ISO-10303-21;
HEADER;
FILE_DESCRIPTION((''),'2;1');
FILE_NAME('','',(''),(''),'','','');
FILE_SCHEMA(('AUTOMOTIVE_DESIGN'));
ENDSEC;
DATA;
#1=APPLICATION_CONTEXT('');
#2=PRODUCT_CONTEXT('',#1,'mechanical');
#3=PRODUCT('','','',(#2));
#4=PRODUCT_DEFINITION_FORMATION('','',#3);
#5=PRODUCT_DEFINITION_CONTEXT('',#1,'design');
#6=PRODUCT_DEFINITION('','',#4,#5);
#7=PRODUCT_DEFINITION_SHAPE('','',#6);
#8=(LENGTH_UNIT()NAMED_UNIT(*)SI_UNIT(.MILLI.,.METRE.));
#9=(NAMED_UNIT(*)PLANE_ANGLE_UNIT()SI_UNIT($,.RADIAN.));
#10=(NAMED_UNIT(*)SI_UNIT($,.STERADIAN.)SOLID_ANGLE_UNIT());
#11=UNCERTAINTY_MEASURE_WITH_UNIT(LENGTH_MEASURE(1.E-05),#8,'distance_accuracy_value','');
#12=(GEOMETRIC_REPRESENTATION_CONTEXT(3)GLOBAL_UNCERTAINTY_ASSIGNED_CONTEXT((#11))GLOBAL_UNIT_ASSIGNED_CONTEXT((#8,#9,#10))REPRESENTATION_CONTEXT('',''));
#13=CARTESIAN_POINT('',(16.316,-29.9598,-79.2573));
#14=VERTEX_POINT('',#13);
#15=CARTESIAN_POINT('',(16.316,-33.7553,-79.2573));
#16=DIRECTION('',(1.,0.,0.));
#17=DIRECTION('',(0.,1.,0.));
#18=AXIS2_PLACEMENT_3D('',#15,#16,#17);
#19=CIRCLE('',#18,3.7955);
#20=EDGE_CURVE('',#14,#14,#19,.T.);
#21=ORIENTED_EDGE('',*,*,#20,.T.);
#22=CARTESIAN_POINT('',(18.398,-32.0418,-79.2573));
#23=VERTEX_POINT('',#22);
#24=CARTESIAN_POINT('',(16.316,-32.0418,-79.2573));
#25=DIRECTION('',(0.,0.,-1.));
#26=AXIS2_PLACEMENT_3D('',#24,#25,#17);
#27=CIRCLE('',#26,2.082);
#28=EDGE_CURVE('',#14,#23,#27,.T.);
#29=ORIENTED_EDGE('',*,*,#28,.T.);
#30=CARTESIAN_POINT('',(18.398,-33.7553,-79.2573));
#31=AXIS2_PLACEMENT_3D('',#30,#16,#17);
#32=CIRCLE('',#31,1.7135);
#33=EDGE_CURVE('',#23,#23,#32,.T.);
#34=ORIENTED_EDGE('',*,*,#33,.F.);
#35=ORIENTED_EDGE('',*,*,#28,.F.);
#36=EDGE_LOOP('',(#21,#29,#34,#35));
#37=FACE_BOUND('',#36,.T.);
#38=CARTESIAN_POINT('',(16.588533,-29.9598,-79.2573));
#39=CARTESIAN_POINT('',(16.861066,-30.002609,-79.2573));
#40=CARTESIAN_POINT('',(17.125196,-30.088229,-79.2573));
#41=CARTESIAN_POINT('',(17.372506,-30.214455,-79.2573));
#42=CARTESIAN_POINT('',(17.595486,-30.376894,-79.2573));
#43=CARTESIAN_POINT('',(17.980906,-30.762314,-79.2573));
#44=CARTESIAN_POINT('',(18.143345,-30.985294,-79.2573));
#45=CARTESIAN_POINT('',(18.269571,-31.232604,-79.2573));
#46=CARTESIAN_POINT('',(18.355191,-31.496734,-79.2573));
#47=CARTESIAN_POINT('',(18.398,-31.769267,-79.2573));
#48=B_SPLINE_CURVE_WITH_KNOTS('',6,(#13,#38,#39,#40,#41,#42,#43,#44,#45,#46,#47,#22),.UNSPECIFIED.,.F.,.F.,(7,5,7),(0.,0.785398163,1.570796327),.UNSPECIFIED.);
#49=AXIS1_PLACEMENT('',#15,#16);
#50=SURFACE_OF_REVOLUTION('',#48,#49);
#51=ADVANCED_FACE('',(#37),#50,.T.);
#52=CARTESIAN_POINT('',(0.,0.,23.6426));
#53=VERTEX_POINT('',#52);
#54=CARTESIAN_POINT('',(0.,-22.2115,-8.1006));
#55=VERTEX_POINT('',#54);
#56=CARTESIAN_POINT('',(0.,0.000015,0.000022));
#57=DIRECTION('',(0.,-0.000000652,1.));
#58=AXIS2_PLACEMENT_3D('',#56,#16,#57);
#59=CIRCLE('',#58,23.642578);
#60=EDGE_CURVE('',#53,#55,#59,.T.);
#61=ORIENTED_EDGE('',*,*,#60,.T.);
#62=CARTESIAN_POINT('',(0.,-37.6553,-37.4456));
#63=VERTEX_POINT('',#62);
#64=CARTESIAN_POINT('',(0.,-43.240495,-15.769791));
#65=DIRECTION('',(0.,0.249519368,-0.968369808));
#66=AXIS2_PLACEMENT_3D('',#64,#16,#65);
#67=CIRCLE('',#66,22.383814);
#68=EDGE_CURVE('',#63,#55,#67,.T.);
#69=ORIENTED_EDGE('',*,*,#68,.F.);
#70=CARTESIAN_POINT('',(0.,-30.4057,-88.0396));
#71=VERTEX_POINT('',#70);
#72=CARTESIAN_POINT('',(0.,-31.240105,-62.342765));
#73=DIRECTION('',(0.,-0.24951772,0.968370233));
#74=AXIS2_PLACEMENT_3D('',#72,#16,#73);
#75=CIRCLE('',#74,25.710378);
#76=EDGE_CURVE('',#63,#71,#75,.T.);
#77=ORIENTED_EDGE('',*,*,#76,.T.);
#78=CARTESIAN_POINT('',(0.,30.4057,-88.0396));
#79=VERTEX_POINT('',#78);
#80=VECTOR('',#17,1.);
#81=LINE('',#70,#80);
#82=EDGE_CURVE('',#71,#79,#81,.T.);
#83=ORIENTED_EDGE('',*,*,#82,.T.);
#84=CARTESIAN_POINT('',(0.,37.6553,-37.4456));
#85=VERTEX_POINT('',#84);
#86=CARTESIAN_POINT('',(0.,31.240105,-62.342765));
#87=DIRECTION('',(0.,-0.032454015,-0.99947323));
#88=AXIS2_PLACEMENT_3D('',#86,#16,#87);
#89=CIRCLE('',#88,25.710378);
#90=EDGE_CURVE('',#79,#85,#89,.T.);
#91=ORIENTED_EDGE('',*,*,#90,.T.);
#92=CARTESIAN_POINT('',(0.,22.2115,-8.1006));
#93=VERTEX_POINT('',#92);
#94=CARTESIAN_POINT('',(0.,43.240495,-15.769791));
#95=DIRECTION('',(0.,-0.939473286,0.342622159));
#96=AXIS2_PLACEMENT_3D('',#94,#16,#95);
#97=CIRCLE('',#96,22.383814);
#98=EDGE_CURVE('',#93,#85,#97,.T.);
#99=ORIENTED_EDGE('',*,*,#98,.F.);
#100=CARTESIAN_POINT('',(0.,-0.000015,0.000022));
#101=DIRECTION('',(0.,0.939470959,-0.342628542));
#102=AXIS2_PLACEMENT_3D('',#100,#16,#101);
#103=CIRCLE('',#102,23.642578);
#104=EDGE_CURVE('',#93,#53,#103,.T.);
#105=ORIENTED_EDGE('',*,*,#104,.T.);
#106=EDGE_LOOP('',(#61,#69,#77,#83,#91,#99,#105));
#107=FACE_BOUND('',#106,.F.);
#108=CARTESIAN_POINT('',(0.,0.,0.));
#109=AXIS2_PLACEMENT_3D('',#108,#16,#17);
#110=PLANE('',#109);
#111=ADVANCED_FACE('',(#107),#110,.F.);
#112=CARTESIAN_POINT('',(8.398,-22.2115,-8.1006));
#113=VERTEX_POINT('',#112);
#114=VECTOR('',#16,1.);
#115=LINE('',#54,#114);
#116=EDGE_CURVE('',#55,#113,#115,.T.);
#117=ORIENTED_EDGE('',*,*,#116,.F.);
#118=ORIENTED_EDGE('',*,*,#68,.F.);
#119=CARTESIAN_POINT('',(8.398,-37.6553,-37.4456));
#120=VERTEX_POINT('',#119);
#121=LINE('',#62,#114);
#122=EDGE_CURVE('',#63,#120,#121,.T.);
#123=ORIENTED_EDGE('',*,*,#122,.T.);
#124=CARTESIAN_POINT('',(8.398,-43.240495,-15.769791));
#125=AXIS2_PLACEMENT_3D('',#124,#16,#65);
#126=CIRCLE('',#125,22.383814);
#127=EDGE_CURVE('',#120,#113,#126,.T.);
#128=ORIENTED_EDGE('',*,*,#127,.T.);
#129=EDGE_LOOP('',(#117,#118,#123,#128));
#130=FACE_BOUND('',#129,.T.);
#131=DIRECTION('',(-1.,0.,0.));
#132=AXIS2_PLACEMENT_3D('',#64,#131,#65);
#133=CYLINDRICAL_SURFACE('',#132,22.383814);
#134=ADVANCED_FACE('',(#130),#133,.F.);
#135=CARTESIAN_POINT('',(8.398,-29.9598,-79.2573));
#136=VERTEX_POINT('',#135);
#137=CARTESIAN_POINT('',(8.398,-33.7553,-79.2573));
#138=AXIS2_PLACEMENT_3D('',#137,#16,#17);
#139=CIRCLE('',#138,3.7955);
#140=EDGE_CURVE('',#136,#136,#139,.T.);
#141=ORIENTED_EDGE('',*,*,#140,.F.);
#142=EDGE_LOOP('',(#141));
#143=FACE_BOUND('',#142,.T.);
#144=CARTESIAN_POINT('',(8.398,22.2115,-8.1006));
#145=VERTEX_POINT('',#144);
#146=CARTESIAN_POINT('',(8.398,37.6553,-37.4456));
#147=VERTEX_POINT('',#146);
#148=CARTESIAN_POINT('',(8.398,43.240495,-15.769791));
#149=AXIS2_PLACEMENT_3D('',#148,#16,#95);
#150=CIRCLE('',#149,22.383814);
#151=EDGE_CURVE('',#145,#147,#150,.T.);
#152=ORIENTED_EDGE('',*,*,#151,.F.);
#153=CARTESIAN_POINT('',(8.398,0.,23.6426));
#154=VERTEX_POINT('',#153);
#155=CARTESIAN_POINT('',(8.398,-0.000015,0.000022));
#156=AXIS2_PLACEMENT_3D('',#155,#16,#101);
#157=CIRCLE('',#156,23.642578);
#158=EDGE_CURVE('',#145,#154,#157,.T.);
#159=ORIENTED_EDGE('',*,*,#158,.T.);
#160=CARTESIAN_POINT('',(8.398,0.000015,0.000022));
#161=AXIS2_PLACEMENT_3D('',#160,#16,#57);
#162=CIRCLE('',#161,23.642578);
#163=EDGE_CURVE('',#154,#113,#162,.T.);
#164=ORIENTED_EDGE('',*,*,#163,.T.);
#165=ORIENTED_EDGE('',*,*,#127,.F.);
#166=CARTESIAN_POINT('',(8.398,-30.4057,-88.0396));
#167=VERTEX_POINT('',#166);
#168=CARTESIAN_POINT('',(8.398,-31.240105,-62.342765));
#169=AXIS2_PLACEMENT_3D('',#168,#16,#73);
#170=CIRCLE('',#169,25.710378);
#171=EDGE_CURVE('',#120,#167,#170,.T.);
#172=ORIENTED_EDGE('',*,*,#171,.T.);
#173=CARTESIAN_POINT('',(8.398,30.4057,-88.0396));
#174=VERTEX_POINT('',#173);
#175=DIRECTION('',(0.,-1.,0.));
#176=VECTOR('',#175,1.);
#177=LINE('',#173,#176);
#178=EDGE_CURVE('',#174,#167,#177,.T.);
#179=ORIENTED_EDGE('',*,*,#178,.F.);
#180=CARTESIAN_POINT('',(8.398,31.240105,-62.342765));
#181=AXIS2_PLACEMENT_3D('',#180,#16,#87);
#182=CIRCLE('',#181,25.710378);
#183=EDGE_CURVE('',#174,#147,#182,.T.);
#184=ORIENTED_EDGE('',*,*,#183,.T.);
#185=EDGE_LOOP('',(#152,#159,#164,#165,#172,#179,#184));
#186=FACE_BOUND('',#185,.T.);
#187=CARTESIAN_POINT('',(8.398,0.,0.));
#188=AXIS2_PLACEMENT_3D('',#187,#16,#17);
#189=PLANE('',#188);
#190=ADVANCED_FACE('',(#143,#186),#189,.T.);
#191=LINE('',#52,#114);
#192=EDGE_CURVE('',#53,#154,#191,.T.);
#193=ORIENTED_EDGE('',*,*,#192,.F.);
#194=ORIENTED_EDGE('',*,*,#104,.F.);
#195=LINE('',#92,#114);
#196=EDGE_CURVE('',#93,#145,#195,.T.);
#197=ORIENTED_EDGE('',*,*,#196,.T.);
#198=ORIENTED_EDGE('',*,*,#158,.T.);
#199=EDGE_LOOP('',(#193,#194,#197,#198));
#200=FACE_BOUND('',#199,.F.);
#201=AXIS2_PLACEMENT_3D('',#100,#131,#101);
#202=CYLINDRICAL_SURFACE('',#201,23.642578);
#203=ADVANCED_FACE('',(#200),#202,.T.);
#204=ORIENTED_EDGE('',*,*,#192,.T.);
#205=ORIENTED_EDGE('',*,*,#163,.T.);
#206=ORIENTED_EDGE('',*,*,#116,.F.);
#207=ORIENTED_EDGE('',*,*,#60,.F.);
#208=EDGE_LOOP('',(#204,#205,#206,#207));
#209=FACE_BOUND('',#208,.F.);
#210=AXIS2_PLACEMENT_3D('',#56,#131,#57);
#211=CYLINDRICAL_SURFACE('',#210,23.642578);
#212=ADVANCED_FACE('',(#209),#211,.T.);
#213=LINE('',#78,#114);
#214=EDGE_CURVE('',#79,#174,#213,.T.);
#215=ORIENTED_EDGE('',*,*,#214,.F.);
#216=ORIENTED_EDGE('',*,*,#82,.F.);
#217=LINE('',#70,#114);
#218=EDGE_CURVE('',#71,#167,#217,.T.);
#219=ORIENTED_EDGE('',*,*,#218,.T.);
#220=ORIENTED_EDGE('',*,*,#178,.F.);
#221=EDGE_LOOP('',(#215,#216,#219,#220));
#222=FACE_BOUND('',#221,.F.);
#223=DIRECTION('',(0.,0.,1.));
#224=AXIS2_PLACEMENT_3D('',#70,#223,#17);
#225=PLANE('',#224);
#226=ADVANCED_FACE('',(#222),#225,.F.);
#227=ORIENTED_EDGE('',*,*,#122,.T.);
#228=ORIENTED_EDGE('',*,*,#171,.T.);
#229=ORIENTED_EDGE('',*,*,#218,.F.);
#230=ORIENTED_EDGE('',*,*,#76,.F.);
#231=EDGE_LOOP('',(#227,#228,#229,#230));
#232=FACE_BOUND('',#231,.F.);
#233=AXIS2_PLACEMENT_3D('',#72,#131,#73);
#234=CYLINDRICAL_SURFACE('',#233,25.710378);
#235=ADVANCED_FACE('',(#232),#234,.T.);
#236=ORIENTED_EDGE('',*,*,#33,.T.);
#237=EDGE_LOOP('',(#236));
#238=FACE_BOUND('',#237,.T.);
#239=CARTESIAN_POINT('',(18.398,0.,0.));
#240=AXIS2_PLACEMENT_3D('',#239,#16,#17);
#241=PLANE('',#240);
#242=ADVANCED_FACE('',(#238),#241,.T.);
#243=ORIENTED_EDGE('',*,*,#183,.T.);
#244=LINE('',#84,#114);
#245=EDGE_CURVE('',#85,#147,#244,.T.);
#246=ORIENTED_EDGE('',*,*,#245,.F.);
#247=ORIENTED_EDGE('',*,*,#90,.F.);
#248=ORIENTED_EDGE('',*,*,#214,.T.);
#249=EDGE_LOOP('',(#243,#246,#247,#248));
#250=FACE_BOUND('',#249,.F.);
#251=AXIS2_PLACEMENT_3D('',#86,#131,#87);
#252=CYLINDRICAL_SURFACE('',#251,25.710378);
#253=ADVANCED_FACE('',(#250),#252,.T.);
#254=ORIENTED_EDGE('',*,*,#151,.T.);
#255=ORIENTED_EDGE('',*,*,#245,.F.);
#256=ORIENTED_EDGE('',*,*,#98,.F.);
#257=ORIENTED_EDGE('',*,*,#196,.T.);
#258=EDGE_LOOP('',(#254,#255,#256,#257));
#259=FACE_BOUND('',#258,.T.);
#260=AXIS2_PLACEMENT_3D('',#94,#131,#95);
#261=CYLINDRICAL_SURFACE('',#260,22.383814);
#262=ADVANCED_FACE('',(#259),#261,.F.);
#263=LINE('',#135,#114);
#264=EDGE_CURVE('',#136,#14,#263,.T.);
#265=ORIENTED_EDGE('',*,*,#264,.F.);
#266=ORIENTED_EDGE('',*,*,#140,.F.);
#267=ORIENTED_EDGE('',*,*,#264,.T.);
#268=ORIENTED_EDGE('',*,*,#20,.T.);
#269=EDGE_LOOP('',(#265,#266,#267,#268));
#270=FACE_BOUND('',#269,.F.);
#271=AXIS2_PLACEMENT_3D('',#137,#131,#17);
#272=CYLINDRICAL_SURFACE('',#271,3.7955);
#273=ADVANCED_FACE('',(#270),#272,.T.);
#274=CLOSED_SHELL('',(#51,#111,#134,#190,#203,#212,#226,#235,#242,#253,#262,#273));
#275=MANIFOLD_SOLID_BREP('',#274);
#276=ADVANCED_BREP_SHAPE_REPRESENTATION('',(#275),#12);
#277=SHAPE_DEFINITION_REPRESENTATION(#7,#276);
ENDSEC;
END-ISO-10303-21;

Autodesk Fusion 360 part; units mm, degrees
sketch "Sketch1" plane through (0, 0, 0) normal (1, 0, 0) x (0, 1, 0)
  line L0 (0, 0) -> (0, -99.0463) construction
  line L1 (-30.4057, -88.0396) -> (0, -88.0396)
  arc A0 (-37.6553, -37.4456) -> (-22.2115, -8.1006) centre (-43.2405, -15.7698) ccw
  arc A1 (-37.6553, -37.4456) -> (-30.4057, -88.0396) centre (-31.2401, -62.3428) ccw
  arc A2 (0, 23.6426) -> (-22.2115, -8.1006) centre (0, 0) ccw
  arc A3 (22.2115, -8.1006) -> (0, 23.6426) centre (0, 0) ccw
  line L2 (30.4057, -88.0396) -> (0, -88.0396)
  arc A4 (30.4057, -88.0396) -> (37.6553, -37.4456) centre (31.2401, -62.3428) ccw
  arc A5 (22.2115, -8.1006) -> (37.6553, -37.4456) centre (43.2405, -15.7698) ccw
extrude "Extrude1" add sketch "Sketch1" along normal blind 8.398
sketch "Sketch2" plane through (8.398, 0, 0) normal (1, 0, 0) x (0, 1, 0)
  circle A0 centre (-33.7553, -79.2573) radius 3.7955
extrude "Extrude2" add sketch "Sketch2" along normal blind 10
fillet "Fillet1" radius 2.082 1 edges at (18.398, -37.294, -80.6298)
sketch "Sketch3" plane through (8.398, 0, 0) normal (1, 0, 0) x (0, 1, 0)
  circle A0 centre (-33.7553, -79.2573) radius 3.7955
  arc A1 (22.2115, -8.1006) -> (-22.2115, -8.1006) centre (0, 0) ccw
  arc A2 (-37.6553, -37.4456) -> (-22.2115, -8.1006) centre (-43.2405, -15.7698) ccw
  arc A3 (-37.6553, -37.4456) -> (-30.4057, -88.0396) centre (-31.2401, -62.3428) ccw
  line L0 (-30.4057, -88.0396) -> (30.4057, -88.0396)
  arc A4 (30.4057, -88.0396) -> (37.6553, -37.4456) centre (31.2401, -62.3428) ccw
  arc A5 (22.2115, -8.1006) -> (37.6553, -37.4456) centre (43.2405, -15.7698) ccw
  arc A6 (14.1938, -5.1765) -> (-14.1938, -5.1765) centre (0, 0) ccw
  arc A7 (-35.5258, -45.7099) -> (-14.1938, -5.1765) centre (-43.2405, -15.7698) ccw
  arc A8 (-35.5258, -45.7099) -> (-30.5582, -79.5054) centre (-31.2401, -62.3428) ccw
  line L1 (-30.5582, -79.5054) -> (30.5582, -79.5054)
  arc A9 (30.5582, -79.5054) -> (35.5258, -45.7099) centre (31.2401, -62.3428) ccw
  arc A10 (14.1938, -5.1765) -> (35.5258, -45.7099) centre (43.2405, -15.7698) ccw
  dimension "d6" = 8.5343
